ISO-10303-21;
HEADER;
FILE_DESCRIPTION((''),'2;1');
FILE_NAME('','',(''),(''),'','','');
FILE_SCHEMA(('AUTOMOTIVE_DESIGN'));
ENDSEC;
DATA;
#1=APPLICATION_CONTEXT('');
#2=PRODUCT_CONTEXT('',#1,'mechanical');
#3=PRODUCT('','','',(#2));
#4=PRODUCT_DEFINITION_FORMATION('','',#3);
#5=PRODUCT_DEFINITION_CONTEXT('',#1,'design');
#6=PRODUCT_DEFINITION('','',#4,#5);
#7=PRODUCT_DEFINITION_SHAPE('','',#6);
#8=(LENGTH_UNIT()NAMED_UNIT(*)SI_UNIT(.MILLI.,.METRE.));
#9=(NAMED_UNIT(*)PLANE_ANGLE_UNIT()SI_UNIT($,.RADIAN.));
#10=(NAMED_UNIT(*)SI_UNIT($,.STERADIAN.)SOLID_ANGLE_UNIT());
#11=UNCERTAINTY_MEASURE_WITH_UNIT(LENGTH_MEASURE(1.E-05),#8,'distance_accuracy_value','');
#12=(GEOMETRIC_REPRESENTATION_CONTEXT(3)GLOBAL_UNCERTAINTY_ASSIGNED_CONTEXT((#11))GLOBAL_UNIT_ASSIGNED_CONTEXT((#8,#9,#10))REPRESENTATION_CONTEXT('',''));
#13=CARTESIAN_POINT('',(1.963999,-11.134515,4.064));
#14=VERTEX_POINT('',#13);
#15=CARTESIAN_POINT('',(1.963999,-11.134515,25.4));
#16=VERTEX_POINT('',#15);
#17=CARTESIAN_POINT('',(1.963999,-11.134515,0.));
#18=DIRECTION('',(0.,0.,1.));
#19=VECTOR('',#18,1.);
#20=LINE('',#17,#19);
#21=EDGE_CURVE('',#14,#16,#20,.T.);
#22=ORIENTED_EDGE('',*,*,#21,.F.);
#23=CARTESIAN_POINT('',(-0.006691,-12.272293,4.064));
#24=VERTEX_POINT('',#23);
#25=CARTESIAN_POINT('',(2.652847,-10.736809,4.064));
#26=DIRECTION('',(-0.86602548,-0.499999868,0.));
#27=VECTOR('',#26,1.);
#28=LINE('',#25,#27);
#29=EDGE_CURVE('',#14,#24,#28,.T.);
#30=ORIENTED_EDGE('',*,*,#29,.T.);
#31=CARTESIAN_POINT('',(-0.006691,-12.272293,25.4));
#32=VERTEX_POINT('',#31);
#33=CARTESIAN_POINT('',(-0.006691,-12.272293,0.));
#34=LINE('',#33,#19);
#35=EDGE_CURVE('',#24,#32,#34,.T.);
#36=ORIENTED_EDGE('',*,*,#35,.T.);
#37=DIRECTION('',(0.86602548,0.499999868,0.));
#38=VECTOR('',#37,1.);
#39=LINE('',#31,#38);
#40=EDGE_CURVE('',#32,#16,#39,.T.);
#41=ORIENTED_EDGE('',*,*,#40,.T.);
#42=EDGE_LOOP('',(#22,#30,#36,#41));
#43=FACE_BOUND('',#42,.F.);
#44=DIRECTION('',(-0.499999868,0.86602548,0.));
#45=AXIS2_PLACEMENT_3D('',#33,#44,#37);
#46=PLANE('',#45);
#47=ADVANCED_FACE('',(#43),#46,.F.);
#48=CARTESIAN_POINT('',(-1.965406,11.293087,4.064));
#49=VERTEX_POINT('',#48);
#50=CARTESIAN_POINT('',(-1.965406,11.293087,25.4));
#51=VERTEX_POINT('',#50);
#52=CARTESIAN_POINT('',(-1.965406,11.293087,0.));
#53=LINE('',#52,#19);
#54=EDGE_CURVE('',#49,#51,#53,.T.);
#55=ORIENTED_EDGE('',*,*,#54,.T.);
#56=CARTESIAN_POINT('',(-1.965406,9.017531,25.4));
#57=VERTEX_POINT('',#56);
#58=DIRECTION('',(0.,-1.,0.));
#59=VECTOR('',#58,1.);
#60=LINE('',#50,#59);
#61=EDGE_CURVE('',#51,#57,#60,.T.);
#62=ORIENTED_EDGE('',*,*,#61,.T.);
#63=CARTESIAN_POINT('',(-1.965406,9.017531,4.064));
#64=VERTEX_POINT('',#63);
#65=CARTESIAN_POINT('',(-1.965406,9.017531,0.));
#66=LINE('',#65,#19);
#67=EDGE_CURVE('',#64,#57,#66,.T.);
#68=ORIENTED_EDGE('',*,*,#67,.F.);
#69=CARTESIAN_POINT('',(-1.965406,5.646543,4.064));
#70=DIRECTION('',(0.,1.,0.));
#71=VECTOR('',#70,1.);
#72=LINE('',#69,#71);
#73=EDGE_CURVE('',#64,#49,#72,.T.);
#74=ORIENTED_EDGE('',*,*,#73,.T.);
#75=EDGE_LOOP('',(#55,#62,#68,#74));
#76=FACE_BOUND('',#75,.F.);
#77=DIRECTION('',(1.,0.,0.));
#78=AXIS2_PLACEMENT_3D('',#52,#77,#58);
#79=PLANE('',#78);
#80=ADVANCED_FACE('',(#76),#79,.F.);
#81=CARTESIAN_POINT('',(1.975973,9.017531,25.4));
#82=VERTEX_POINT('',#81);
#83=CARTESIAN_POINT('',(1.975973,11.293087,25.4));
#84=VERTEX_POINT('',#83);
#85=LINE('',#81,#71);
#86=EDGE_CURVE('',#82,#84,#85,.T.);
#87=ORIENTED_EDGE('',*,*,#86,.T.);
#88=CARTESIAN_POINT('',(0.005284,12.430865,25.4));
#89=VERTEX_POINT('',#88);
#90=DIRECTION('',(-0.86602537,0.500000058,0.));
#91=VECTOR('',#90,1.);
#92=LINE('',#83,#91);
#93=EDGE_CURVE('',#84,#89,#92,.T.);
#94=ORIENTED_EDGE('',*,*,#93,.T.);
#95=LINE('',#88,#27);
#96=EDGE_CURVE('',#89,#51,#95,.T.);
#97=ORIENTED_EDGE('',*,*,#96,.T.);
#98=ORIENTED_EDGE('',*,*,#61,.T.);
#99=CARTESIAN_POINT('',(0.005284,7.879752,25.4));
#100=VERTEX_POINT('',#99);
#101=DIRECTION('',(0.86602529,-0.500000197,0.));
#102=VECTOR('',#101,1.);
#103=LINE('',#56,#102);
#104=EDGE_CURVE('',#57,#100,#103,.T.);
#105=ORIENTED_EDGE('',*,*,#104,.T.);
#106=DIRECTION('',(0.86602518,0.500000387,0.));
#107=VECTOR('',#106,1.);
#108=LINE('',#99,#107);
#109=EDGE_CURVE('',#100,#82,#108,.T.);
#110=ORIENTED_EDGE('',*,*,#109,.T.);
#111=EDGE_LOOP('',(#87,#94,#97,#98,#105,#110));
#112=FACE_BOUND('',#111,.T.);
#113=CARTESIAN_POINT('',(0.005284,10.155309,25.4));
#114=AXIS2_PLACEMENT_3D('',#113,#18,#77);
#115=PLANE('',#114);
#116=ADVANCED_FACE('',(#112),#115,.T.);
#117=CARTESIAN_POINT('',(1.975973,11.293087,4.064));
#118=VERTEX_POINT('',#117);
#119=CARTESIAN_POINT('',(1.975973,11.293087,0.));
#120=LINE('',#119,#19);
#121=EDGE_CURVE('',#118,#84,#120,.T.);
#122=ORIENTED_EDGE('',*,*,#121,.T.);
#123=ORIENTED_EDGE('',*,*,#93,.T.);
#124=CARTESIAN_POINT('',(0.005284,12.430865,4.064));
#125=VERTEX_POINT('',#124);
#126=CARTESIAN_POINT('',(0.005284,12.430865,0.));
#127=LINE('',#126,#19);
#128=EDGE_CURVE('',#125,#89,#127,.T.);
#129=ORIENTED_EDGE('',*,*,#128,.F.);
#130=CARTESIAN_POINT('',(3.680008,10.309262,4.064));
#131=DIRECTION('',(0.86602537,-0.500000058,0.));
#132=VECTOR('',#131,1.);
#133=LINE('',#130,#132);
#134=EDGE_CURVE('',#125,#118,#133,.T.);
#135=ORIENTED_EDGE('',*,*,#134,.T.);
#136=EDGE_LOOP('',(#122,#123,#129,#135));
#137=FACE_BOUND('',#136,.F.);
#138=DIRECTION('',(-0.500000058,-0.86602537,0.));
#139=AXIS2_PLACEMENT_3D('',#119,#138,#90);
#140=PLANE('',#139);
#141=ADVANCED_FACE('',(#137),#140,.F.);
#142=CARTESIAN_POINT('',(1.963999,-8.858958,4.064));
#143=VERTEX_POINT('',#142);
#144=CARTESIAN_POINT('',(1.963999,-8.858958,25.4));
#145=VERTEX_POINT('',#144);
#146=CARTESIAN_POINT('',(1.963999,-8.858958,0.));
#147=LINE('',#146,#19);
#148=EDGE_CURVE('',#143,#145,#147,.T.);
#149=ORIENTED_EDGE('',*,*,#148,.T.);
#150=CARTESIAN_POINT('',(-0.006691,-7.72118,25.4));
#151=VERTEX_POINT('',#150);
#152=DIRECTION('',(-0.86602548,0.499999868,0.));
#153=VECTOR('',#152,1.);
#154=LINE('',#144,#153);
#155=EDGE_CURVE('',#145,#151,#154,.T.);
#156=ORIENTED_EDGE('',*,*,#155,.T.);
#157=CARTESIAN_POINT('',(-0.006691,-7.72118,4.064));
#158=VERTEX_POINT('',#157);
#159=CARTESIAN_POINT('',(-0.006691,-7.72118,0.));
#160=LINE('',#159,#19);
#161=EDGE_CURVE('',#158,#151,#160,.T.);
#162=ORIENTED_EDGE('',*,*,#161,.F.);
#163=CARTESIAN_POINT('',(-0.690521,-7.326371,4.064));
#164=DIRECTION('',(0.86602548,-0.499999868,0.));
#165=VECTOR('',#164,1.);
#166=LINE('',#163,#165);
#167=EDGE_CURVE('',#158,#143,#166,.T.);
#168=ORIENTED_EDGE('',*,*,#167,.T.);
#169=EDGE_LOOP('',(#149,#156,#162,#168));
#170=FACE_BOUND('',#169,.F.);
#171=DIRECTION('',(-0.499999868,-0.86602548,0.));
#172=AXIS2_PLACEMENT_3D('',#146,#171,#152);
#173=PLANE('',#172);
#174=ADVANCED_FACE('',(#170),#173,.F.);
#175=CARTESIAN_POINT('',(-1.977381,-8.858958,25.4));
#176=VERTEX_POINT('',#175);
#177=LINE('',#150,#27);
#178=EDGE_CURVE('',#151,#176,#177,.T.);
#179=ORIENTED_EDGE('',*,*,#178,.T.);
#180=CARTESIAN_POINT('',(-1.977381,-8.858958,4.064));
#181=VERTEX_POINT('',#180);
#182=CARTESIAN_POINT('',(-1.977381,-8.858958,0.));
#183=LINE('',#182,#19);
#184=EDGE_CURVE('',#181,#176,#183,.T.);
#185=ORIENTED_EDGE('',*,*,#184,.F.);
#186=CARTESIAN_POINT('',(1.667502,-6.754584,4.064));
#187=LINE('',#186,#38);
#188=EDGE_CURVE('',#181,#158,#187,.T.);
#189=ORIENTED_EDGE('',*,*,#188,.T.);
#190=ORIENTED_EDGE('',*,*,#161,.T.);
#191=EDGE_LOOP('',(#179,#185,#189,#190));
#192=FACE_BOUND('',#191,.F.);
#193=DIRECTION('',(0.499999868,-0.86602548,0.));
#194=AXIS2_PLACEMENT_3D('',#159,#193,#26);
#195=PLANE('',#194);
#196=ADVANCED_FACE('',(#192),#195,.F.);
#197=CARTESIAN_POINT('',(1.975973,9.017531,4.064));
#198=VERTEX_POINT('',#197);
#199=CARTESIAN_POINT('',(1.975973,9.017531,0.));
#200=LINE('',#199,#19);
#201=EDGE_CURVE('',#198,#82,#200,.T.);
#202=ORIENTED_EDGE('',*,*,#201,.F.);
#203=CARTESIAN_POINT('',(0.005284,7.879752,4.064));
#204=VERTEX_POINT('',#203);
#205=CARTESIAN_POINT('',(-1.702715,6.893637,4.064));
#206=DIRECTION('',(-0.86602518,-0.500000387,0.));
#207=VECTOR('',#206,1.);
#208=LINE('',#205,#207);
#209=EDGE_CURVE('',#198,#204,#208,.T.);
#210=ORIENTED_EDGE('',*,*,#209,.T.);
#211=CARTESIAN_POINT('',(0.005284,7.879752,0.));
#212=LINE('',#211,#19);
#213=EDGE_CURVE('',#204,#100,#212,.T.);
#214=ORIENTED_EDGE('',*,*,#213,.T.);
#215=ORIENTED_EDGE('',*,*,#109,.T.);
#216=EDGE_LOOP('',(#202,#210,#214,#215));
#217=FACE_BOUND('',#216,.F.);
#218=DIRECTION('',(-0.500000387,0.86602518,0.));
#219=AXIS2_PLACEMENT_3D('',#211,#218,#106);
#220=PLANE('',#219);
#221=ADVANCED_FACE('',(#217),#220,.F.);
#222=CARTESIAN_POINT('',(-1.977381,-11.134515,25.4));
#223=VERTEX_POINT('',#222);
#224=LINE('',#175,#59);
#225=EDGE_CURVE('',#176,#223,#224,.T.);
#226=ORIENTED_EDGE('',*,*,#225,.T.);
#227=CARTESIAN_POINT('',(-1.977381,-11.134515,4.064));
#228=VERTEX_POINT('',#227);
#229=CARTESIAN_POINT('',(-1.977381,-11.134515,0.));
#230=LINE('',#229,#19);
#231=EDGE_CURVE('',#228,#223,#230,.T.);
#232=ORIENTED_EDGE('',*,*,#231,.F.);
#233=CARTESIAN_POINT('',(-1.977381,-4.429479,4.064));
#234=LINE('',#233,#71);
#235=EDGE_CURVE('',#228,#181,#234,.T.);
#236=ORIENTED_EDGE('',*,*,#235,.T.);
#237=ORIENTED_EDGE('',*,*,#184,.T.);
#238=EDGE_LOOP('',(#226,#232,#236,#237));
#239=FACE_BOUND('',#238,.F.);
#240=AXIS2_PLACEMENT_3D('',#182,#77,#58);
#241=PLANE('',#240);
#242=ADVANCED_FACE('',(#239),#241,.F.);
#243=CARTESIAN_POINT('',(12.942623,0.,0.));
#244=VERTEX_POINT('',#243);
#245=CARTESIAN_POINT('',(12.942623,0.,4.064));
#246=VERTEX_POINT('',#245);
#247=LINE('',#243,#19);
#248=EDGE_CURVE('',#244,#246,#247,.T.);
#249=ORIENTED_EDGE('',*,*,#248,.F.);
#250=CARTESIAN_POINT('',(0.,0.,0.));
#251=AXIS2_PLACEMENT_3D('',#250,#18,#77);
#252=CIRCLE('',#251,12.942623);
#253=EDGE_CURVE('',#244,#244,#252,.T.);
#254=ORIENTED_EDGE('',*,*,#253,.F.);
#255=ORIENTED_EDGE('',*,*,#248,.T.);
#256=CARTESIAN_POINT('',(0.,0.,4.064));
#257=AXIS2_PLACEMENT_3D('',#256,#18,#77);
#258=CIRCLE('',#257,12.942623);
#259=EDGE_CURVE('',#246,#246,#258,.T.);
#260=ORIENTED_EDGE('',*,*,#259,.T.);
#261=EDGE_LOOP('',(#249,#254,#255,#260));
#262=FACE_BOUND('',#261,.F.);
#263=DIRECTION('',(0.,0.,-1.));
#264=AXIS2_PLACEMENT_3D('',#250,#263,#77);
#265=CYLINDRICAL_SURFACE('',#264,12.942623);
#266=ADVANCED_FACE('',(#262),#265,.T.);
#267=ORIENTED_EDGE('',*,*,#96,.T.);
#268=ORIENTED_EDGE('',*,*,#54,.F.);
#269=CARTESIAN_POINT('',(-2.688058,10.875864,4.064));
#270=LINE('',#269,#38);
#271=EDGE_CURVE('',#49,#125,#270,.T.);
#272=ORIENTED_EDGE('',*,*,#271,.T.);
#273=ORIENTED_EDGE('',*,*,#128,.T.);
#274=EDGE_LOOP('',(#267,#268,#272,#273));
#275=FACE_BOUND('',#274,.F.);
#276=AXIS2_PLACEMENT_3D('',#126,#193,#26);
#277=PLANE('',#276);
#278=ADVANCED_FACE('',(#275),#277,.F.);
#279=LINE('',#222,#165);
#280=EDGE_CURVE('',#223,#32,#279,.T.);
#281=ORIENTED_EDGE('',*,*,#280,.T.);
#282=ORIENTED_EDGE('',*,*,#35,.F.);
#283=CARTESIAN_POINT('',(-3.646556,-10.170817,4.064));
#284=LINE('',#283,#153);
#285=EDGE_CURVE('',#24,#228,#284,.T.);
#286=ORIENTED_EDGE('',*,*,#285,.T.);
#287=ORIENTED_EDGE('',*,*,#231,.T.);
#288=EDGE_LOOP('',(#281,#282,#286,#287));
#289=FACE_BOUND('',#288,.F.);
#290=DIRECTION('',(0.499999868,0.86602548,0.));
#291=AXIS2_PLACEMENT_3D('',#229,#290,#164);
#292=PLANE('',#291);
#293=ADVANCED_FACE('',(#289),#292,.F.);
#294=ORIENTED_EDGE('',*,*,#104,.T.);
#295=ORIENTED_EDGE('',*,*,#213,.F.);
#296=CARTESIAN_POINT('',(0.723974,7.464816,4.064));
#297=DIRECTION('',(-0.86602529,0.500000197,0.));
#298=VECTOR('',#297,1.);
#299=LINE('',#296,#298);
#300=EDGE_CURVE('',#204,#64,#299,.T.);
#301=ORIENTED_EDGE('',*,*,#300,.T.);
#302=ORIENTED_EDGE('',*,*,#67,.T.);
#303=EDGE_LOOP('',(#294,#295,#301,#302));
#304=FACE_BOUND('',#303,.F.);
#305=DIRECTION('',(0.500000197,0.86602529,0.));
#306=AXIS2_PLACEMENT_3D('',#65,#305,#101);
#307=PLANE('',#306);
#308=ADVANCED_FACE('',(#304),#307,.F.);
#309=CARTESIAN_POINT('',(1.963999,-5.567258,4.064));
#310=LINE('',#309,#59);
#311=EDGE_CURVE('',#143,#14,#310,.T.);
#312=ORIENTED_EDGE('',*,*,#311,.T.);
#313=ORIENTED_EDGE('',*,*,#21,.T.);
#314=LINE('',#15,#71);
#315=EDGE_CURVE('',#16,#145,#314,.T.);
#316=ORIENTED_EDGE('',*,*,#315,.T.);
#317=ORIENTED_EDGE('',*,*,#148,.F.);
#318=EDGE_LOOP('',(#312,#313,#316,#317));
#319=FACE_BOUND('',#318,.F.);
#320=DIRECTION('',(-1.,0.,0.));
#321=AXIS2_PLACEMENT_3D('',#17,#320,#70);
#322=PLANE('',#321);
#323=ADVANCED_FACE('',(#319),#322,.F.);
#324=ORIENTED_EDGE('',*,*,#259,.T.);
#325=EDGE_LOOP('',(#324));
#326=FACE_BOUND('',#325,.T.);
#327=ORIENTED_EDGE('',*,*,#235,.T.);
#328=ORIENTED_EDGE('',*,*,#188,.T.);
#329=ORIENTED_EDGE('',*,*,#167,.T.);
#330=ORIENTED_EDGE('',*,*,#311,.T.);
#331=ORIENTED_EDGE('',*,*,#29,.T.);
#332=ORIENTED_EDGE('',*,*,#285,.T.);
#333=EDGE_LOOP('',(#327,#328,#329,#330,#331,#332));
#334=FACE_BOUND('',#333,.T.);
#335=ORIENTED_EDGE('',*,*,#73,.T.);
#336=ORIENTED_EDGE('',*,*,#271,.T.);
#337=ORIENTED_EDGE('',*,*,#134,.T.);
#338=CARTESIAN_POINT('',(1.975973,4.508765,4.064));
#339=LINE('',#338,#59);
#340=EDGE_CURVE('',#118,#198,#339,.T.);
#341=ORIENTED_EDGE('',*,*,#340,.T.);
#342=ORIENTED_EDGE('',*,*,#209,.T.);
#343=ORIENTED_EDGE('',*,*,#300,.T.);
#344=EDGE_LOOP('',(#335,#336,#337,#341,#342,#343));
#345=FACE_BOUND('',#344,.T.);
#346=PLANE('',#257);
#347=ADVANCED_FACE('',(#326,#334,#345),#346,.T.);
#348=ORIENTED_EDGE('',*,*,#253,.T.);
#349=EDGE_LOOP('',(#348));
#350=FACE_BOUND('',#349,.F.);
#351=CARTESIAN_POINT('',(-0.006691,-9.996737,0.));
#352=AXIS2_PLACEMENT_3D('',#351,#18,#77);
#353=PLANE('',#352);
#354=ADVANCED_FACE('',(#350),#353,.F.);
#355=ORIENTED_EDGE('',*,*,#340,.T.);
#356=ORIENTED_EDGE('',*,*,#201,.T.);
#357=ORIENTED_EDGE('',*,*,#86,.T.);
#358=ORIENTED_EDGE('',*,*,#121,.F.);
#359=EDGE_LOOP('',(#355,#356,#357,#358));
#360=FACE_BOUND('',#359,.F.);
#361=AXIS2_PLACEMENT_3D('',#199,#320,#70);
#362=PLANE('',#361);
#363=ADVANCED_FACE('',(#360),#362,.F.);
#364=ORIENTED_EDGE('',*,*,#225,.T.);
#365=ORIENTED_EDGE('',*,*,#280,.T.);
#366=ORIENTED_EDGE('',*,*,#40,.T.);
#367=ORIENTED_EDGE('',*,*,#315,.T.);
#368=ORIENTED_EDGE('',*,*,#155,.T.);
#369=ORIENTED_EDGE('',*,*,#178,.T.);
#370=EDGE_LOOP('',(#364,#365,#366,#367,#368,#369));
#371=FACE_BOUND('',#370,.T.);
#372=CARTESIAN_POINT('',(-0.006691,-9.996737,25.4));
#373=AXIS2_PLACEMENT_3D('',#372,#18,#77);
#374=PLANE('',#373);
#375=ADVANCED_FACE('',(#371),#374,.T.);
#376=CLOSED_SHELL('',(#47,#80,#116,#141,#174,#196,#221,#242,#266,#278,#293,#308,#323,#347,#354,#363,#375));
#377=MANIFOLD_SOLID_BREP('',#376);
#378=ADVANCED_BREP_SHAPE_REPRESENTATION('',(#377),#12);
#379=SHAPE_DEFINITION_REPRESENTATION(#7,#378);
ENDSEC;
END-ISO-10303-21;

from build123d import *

# Parameters (mm, degrees)
F0_R     = 12.942623
F1_DEPTH = 4.064
F4_DEPTH = 25.4
F5_DEPTH = 25.4


with BuildPart() as f1:
    # F0 (on Top) → F1 (new body)
    with BuildSketch(Plane.XY):
        Circle(F0_R)
    extrude(amount=F1_DEPTH)

    # F2 (on Top) → F4 (join)
    with BuildSketch(Plane.XY):
        Polygon((1.975973, 9.017531), (1.975973, 11.293087), (0.005284, 12.430865), (-1.965406, 11.293087), (-1.965406, 9.017531), (0.005284, 7.879752), align=None)
    extrude(amount=F4_DEPTH)

    # F3 (on face) → F5 (join)
    with BuildSketch(Plane.XY):
        Polygon((1.963999, -11.134515), (1.963999, -8.858958), (-0.006691, -7.72118), (-1.977381, -8.858958), (-1.977381, -11.134515), (-0.006691, -12.272293), align=None)
    extrude(amount=F5_DEPTH)


solid = f1.part
